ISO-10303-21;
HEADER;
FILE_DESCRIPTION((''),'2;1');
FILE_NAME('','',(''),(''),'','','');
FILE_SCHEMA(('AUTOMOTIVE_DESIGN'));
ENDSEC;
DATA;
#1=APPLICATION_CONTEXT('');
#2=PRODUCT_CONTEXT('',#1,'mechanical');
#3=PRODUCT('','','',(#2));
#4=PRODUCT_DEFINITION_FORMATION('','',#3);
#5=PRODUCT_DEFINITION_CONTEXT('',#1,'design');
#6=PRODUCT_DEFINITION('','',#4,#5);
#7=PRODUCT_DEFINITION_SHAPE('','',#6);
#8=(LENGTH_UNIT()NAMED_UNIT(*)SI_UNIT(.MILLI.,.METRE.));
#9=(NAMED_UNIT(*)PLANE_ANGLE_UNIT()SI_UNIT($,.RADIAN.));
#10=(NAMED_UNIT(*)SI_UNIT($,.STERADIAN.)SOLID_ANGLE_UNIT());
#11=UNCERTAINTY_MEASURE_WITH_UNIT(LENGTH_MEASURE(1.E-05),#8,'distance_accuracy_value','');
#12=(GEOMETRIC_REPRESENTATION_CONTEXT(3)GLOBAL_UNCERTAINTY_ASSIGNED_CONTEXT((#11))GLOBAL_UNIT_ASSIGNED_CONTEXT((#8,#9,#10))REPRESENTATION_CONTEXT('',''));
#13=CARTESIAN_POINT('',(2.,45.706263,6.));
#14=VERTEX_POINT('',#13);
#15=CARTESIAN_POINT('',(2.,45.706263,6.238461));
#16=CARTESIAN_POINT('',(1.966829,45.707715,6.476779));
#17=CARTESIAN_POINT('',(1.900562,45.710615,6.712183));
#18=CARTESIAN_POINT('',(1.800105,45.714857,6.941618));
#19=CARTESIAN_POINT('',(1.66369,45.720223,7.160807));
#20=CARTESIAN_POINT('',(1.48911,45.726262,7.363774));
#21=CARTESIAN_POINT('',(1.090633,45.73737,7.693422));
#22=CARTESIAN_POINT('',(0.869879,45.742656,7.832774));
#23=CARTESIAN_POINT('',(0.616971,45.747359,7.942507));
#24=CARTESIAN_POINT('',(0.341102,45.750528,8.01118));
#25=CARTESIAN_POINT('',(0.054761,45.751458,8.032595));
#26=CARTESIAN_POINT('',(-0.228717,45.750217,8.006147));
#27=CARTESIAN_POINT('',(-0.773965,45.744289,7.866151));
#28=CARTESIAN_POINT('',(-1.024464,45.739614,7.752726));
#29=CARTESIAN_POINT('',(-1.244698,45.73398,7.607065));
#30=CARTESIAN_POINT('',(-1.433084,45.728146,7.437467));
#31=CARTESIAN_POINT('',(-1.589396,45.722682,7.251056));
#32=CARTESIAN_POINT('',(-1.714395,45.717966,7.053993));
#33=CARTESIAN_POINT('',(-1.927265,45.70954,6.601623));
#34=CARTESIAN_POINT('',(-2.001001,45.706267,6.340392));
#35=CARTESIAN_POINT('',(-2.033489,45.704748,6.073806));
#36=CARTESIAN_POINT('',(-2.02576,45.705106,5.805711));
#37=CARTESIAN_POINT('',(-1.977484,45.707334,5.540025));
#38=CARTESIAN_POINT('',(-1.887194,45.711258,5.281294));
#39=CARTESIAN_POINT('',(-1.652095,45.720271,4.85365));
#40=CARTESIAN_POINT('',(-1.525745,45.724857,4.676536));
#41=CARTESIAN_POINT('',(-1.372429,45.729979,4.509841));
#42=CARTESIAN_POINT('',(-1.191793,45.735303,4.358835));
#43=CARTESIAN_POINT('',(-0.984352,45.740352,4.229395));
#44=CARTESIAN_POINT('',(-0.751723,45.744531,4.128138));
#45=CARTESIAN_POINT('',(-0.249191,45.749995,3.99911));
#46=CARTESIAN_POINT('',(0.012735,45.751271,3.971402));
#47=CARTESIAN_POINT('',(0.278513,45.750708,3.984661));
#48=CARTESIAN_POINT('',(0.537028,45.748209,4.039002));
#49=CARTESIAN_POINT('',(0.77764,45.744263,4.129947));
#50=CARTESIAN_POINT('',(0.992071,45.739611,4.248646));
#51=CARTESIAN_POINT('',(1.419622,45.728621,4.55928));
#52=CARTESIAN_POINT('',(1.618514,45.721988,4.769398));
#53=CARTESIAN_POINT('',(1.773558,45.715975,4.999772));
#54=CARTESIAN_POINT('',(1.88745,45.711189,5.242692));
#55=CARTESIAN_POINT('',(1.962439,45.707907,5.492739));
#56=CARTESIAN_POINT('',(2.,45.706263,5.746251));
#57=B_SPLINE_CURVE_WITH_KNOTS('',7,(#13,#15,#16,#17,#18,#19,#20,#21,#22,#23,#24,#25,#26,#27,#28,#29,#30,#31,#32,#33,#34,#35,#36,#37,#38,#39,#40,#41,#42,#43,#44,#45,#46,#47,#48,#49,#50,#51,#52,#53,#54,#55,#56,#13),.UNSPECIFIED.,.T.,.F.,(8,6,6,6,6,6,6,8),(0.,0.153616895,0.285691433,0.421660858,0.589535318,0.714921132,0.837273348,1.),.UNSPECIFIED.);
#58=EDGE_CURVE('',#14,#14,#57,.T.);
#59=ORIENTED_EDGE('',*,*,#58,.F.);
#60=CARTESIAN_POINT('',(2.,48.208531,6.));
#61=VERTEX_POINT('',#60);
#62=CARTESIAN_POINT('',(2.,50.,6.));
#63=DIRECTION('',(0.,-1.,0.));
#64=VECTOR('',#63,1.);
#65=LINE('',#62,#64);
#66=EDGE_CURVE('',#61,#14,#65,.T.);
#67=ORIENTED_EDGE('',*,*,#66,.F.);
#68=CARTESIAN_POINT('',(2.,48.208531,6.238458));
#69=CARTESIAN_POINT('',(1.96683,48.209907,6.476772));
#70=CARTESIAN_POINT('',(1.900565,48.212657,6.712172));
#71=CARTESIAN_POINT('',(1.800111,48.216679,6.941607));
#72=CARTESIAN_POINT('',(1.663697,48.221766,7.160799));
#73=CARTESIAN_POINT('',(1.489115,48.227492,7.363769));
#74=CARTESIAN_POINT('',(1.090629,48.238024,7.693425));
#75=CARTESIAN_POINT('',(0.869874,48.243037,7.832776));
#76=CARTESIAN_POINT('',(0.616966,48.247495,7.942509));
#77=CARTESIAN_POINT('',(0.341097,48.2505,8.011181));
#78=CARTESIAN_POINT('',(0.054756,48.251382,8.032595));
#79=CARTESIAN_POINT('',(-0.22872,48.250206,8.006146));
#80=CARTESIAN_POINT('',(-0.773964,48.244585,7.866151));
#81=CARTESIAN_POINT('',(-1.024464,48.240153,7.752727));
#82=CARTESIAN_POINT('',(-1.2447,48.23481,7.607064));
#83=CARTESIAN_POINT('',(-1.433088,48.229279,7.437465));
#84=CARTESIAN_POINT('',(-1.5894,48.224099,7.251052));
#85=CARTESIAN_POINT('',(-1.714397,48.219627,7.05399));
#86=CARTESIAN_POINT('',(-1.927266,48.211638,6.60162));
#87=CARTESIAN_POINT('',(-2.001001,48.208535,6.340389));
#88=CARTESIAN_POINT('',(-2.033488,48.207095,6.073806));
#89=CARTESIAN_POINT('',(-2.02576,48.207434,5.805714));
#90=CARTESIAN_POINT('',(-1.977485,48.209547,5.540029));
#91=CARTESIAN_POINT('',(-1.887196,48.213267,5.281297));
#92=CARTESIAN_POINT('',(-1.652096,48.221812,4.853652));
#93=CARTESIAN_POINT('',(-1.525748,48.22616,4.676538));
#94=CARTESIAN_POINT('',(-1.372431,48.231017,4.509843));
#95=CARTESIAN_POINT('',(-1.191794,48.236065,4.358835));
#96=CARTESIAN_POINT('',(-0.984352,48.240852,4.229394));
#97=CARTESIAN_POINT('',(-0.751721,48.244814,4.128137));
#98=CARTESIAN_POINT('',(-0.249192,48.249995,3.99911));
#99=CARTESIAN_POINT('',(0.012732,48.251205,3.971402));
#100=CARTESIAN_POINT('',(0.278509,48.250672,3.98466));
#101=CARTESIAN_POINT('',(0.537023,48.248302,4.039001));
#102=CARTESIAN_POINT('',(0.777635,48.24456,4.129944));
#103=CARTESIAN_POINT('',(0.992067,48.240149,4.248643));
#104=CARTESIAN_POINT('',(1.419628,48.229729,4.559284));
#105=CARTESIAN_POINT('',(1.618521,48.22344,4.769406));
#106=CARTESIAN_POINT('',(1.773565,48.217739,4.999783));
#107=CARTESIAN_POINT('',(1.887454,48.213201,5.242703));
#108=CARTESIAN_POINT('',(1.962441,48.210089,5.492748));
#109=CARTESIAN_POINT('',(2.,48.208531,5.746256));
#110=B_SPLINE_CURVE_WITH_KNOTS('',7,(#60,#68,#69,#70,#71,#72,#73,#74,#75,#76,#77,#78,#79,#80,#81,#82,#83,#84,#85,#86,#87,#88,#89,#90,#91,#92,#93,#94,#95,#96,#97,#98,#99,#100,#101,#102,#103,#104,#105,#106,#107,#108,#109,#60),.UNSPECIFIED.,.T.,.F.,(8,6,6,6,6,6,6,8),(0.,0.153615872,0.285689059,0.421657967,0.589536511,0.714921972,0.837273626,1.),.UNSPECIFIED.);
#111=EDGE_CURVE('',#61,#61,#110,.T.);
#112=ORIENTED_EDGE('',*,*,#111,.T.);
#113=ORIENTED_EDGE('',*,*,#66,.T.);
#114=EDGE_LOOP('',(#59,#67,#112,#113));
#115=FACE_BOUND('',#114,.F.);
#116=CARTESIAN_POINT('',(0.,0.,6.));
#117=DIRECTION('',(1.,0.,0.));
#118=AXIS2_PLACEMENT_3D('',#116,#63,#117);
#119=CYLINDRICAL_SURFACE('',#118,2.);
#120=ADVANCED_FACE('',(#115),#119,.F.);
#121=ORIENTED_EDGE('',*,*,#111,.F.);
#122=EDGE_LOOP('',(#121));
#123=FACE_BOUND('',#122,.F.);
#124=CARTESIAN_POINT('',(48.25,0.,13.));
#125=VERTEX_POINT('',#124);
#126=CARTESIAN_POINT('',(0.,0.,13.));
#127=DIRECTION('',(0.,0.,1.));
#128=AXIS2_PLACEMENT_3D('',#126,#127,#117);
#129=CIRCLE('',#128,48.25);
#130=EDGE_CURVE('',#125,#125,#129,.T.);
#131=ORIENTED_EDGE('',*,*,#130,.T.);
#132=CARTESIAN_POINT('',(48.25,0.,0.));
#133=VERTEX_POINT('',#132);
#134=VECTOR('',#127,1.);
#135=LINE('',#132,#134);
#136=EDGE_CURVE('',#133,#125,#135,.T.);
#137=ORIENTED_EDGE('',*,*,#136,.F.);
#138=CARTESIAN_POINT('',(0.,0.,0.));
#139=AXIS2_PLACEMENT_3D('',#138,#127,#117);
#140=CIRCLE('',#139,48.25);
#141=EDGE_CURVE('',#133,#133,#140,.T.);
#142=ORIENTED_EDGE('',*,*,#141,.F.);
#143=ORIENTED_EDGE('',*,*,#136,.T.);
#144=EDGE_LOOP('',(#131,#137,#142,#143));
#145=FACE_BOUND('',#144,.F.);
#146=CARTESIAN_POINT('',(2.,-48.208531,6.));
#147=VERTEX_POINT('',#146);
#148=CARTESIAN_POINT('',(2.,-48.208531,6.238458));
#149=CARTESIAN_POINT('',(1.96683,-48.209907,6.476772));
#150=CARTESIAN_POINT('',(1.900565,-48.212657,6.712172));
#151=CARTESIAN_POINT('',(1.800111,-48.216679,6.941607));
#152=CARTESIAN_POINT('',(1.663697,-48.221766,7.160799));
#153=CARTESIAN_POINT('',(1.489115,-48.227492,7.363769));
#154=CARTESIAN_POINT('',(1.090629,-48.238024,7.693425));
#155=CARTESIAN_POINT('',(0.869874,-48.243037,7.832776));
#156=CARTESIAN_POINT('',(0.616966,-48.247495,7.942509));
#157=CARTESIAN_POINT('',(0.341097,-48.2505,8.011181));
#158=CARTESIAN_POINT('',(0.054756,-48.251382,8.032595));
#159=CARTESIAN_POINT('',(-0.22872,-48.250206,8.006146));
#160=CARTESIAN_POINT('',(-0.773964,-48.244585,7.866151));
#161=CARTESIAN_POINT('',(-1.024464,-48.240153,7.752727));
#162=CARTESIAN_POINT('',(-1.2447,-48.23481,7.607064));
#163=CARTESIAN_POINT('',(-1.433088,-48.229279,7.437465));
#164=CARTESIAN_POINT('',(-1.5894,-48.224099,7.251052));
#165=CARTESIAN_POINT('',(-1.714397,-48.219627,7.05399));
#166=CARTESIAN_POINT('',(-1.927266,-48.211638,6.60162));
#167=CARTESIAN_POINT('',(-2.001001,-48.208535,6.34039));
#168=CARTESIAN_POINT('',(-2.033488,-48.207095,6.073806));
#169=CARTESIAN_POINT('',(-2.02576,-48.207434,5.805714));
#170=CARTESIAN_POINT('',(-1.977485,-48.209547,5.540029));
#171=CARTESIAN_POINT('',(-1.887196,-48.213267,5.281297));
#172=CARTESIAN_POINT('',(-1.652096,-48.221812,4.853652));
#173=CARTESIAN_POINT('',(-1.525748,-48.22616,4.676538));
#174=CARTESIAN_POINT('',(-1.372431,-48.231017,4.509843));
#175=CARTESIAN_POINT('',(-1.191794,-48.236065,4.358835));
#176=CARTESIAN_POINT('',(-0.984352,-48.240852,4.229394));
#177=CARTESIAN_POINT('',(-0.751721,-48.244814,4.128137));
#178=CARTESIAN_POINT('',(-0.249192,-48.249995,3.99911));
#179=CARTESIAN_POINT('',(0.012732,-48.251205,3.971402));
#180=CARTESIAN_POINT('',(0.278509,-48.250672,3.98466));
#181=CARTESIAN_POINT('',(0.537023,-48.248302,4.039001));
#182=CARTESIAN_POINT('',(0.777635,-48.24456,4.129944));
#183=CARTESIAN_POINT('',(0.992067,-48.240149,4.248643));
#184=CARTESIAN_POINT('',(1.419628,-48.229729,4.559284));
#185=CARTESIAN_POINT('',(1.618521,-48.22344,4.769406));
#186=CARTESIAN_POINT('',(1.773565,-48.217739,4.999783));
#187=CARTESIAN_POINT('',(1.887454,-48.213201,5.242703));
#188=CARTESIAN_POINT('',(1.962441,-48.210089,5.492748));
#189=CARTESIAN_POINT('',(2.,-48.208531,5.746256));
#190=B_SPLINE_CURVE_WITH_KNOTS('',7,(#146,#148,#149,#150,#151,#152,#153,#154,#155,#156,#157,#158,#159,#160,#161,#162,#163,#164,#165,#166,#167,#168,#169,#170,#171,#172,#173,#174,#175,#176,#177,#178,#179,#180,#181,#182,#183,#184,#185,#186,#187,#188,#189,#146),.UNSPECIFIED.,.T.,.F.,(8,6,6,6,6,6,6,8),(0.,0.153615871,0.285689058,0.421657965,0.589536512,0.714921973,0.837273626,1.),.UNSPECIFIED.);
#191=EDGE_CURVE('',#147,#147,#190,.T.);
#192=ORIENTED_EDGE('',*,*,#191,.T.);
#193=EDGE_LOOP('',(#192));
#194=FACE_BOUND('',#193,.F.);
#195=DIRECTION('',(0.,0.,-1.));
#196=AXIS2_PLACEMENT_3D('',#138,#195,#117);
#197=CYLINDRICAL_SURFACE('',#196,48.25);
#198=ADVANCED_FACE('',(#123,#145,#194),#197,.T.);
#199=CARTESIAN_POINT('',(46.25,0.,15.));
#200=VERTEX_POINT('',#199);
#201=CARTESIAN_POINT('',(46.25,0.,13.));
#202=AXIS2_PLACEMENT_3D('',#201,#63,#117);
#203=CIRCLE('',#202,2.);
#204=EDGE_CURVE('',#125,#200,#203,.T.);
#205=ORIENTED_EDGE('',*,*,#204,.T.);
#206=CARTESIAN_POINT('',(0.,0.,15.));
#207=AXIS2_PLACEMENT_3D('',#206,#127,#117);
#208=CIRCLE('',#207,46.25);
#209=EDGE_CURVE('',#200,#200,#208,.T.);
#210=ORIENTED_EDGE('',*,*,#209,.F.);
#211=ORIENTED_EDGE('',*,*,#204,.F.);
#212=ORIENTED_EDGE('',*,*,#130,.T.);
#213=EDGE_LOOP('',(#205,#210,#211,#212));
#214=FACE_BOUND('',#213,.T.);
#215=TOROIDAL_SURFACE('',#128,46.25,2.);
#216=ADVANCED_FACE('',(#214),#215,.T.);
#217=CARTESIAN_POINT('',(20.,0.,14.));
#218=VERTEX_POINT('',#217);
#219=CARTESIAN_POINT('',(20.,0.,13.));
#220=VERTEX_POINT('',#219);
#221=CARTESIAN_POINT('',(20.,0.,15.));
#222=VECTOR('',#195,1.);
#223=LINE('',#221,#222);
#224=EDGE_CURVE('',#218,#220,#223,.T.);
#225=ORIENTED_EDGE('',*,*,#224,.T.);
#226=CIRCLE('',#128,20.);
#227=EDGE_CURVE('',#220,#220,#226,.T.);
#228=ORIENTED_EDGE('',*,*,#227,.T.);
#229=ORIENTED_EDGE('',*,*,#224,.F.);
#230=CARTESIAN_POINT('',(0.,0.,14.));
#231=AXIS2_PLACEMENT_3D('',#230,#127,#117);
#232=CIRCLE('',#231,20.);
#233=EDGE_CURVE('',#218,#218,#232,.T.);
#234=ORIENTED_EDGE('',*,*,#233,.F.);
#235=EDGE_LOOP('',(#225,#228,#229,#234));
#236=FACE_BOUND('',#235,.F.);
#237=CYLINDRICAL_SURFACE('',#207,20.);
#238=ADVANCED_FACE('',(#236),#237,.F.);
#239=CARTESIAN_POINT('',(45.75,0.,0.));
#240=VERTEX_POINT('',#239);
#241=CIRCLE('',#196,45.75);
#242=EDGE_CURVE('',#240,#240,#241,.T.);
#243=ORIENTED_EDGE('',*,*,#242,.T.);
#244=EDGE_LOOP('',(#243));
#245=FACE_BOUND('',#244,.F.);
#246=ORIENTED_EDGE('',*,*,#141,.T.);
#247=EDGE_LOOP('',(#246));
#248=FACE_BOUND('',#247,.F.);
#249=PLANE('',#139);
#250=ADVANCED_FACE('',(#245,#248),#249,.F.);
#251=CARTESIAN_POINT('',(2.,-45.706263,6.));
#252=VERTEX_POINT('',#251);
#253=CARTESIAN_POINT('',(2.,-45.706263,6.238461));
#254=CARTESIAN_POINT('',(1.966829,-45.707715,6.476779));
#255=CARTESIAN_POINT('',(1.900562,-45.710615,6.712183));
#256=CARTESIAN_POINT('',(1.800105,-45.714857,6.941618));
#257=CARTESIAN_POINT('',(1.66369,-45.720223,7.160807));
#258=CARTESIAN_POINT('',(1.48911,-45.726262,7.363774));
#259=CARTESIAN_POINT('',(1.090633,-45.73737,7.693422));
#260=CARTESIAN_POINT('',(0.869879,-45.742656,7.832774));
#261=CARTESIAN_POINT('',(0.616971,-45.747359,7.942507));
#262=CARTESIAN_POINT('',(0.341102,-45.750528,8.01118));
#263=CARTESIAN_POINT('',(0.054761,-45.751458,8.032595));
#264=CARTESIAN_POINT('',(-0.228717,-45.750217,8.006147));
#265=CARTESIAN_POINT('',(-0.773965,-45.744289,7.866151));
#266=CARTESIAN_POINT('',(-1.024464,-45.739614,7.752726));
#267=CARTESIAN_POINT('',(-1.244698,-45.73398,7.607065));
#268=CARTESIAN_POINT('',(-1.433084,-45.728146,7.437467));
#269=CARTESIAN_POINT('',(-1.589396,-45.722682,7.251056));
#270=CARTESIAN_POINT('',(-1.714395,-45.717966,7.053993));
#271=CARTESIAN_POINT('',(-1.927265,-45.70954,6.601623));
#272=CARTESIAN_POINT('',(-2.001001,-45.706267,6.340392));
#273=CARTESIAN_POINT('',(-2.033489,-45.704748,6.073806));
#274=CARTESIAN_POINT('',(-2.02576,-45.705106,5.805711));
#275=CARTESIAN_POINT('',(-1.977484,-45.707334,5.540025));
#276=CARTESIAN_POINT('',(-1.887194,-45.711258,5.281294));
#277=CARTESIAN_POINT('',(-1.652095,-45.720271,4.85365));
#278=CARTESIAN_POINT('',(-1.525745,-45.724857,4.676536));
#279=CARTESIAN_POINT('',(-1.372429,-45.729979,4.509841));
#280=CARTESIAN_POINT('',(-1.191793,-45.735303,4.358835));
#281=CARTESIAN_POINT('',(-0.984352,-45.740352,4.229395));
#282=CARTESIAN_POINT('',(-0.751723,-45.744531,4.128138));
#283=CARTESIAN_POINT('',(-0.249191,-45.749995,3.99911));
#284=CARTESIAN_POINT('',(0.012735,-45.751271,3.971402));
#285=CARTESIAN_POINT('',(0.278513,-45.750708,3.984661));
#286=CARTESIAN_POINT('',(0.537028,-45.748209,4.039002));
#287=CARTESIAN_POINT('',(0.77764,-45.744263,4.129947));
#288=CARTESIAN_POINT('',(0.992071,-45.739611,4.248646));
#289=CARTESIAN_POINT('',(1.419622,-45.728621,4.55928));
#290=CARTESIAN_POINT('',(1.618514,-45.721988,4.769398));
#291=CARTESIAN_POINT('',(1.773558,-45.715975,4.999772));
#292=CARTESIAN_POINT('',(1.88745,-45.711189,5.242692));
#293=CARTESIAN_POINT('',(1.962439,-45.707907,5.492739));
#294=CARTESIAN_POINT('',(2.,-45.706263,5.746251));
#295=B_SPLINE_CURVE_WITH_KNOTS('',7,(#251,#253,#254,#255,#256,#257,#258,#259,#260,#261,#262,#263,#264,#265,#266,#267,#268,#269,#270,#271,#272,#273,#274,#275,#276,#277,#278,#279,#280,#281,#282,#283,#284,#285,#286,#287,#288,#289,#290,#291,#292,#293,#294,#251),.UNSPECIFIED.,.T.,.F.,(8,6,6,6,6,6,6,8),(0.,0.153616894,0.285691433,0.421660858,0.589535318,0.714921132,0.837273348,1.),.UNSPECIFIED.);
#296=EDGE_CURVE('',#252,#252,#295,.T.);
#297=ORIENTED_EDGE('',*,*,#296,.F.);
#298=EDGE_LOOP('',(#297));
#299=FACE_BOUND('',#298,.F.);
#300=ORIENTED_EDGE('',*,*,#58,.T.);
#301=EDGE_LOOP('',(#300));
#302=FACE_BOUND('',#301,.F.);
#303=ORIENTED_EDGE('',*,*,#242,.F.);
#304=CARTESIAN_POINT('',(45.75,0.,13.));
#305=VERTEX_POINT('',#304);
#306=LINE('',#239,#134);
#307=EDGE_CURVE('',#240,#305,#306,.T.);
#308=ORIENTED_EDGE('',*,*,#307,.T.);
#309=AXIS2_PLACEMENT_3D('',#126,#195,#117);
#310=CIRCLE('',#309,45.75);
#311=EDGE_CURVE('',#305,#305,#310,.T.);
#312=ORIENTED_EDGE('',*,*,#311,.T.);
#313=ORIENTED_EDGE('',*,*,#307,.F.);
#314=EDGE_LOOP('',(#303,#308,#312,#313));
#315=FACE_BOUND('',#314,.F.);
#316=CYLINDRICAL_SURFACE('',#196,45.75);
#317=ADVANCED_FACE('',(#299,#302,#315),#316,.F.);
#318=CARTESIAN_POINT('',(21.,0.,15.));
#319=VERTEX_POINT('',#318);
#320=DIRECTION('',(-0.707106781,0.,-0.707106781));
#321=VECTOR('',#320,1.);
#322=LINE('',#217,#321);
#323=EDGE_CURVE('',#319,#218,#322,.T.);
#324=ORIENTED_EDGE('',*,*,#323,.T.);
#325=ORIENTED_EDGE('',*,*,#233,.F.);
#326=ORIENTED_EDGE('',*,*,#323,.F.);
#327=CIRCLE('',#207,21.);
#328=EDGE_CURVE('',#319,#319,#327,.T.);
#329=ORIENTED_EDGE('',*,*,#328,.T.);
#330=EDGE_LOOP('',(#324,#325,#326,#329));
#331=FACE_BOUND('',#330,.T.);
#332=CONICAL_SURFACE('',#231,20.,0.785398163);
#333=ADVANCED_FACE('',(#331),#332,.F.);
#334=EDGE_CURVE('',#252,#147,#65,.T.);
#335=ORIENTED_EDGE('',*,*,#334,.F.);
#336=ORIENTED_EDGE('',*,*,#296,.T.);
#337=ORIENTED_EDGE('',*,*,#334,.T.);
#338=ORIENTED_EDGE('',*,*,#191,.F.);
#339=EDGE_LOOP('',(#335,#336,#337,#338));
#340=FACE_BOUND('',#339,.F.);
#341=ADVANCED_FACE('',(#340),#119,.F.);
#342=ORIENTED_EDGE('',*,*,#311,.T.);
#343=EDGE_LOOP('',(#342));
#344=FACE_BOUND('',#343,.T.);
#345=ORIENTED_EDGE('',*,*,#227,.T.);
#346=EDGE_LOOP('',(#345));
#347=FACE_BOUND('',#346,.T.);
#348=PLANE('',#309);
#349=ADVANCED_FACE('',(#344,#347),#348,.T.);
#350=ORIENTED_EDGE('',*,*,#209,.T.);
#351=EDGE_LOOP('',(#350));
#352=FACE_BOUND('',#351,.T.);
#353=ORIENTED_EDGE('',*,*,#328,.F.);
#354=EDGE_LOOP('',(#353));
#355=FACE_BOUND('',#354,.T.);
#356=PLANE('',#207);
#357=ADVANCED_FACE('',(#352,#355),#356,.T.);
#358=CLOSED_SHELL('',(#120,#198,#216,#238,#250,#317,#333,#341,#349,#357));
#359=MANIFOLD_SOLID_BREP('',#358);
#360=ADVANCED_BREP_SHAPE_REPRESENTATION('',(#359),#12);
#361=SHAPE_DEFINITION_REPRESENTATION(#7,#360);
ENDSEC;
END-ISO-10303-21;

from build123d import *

# Parameters (mm, degrees)
SKETCH_R        = 48.25
PAD_DEPTH       = 15
SKETCH001_R     = 45.75
POCKET_DEPTH    = 13
SKETCH002_R     = 2
POCKET001_DEPTH = 50
SKETCH003_R     = 20
POCKET002_DEPTH = 2
FILLET_R        = 2
CHAMFER_SIZE    = 1


with BuildPart() as part:
    # Sketch → Pad (new body)
    with BuildSketch(Plane.XY):
        Circle(SKETCH_R)
    extrude(amount=PAD_DEPTH)

    # Sketch001 (on Face2 of Pad) → Pocket (cut)
    with BuildSketch(Plane(origin=(0, 0, 0), x_dir=(1, 0, 0), z_dir=(0, 0, -1))):
        Circle(SKETCH001_R)
    extrude(amount=-POCKET_DEPTH, mode=Mode.SUBTRACT)

    # Sketch002 → Pocket001 (cut, symmetric)
    with BuildSketch(Plane.XZ):
        with Locations((0, 6)):
            Circle(SKETCH002_R)
    extrude(amount=POCKET001_DEPTH, both=True, mode=Mode.SUBTRACT)

    # Sketch003 (on Face3 of Pocket001) → Pocket002 (cut)
    with BuildSketch(Plane.XY.offset(15)):
        Circle(SKETCH003_R)
    extrude(amount=-POCKET002_DEPTH, mode=Mode.SUBTRACT)

    # Fillet
    fillet_edges = [part.edges().sort_by_distance(p)[0] for p in [
        (-48.25, 0, 15),
    ]]
    fillet(fillet_edges, radius=FILLET_R)

    # Chamfer
    chamfer_edges = [part.edges().sort_by_distance(p)[0] for p in [
        (-20, 0, 15),
    ]]
    chamfer(chamfer_edges, length=CHAMFER_SIZE)


solid = part.part
